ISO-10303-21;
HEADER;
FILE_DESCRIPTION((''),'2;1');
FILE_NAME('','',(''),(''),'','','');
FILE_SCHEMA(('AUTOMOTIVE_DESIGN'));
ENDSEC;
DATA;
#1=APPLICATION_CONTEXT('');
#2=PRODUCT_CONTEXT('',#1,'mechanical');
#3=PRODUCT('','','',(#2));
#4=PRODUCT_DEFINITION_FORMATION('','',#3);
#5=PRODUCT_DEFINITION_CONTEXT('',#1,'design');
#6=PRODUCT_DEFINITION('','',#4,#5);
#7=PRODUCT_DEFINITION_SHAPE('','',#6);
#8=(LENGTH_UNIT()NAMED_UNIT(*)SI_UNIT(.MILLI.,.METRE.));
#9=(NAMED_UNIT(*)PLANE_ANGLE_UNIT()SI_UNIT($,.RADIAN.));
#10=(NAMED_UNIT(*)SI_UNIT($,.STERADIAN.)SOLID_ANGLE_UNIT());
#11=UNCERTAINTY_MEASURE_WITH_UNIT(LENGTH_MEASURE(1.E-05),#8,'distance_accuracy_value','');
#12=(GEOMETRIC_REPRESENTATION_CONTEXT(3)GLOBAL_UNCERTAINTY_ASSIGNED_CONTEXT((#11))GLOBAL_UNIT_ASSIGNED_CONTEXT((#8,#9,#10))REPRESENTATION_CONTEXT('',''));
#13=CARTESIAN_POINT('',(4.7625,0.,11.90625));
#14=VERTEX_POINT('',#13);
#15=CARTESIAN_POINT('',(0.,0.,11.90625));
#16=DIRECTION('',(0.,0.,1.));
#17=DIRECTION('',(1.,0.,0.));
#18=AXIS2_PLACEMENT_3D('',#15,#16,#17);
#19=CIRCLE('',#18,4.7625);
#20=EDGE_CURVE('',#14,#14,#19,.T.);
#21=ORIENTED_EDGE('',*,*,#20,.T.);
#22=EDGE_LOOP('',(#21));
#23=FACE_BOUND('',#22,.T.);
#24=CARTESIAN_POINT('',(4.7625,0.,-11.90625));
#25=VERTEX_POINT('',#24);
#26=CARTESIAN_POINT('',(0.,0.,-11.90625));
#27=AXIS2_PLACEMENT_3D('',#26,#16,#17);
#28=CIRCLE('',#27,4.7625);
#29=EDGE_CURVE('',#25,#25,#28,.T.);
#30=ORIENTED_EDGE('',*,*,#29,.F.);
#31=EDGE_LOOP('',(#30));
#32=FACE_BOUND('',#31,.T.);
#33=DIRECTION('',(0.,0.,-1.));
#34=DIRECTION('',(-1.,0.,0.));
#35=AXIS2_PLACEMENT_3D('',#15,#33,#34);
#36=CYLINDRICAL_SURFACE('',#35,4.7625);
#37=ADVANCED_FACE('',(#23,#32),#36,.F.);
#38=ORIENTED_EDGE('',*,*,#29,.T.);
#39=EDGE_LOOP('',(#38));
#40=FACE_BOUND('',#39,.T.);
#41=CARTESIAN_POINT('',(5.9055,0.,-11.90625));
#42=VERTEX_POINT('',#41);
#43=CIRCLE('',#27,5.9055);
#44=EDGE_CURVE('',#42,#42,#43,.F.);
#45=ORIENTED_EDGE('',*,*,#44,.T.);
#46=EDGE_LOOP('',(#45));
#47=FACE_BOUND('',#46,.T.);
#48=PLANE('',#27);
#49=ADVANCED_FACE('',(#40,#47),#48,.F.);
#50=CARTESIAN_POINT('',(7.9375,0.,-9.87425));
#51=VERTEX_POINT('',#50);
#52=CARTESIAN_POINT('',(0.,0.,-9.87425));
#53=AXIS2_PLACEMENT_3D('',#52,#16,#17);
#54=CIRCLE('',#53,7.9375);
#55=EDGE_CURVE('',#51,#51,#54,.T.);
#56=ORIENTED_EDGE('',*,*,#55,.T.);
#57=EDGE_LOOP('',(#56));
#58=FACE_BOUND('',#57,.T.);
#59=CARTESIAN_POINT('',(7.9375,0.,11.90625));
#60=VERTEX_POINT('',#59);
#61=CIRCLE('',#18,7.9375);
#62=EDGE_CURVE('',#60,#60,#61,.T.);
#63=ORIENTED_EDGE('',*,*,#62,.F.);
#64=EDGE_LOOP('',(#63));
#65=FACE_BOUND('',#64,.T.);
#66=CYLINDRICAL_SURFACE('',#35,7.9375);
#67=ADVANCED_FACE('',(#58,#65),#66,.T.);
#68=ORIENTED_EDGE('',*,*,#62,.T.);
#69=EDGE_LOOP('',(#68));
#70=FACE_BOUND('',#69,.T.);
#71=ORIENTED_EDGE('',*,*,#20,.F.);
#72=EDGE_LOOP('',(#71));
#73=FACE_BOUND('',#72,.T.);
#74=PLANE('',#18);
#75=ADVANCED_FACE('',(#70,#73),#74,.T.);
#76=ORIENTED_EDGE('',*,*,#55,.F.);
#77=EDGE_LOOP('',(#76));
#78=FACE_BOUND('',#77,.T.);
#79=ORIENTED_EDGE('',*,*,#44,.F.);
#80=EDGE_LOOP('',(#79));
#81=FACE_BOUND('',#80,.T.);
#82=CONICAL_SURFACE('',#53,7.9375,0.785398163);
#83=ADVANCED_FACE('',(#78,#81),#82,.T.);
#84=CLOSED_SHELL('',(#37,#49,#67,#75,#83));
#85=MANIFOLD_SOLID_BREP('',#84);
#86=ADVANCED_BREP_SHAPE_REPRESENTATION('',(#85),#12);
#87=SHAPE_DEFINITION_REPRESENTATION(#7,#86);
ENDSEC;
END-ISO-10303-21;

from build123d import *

# Parameters (mm, degrees)
SKETCH1_R           = 7.9375
SKETCH1_R_2         = 4.7625
BOSS_EXTRUDE1_DEPTH = 11.90625
CHAMFER1_SIZE       = 2.032


with BuildPart() as part:
    # Sketch1 → Boss-Extrude1 (new, symmetric)
    with BuildSketch(Plane.XY):
        Circle(SKETCH1_R)
        Circle(SKETCH1_R_2, mode=Mode.SUBTRACT)
    extrude(amount=BOSS_EXTRUDE1_DEPTH, both=True)

    # Chamfer1
    chamfer1_edges = [part.edges().sort_by_distance(p)[0] for p in [
        (-7.9375, 0, -11.90625),
    ]]
    chamfer(chamfer1_edges, length=CHAMFER1_SIZE)


solid = part.part
